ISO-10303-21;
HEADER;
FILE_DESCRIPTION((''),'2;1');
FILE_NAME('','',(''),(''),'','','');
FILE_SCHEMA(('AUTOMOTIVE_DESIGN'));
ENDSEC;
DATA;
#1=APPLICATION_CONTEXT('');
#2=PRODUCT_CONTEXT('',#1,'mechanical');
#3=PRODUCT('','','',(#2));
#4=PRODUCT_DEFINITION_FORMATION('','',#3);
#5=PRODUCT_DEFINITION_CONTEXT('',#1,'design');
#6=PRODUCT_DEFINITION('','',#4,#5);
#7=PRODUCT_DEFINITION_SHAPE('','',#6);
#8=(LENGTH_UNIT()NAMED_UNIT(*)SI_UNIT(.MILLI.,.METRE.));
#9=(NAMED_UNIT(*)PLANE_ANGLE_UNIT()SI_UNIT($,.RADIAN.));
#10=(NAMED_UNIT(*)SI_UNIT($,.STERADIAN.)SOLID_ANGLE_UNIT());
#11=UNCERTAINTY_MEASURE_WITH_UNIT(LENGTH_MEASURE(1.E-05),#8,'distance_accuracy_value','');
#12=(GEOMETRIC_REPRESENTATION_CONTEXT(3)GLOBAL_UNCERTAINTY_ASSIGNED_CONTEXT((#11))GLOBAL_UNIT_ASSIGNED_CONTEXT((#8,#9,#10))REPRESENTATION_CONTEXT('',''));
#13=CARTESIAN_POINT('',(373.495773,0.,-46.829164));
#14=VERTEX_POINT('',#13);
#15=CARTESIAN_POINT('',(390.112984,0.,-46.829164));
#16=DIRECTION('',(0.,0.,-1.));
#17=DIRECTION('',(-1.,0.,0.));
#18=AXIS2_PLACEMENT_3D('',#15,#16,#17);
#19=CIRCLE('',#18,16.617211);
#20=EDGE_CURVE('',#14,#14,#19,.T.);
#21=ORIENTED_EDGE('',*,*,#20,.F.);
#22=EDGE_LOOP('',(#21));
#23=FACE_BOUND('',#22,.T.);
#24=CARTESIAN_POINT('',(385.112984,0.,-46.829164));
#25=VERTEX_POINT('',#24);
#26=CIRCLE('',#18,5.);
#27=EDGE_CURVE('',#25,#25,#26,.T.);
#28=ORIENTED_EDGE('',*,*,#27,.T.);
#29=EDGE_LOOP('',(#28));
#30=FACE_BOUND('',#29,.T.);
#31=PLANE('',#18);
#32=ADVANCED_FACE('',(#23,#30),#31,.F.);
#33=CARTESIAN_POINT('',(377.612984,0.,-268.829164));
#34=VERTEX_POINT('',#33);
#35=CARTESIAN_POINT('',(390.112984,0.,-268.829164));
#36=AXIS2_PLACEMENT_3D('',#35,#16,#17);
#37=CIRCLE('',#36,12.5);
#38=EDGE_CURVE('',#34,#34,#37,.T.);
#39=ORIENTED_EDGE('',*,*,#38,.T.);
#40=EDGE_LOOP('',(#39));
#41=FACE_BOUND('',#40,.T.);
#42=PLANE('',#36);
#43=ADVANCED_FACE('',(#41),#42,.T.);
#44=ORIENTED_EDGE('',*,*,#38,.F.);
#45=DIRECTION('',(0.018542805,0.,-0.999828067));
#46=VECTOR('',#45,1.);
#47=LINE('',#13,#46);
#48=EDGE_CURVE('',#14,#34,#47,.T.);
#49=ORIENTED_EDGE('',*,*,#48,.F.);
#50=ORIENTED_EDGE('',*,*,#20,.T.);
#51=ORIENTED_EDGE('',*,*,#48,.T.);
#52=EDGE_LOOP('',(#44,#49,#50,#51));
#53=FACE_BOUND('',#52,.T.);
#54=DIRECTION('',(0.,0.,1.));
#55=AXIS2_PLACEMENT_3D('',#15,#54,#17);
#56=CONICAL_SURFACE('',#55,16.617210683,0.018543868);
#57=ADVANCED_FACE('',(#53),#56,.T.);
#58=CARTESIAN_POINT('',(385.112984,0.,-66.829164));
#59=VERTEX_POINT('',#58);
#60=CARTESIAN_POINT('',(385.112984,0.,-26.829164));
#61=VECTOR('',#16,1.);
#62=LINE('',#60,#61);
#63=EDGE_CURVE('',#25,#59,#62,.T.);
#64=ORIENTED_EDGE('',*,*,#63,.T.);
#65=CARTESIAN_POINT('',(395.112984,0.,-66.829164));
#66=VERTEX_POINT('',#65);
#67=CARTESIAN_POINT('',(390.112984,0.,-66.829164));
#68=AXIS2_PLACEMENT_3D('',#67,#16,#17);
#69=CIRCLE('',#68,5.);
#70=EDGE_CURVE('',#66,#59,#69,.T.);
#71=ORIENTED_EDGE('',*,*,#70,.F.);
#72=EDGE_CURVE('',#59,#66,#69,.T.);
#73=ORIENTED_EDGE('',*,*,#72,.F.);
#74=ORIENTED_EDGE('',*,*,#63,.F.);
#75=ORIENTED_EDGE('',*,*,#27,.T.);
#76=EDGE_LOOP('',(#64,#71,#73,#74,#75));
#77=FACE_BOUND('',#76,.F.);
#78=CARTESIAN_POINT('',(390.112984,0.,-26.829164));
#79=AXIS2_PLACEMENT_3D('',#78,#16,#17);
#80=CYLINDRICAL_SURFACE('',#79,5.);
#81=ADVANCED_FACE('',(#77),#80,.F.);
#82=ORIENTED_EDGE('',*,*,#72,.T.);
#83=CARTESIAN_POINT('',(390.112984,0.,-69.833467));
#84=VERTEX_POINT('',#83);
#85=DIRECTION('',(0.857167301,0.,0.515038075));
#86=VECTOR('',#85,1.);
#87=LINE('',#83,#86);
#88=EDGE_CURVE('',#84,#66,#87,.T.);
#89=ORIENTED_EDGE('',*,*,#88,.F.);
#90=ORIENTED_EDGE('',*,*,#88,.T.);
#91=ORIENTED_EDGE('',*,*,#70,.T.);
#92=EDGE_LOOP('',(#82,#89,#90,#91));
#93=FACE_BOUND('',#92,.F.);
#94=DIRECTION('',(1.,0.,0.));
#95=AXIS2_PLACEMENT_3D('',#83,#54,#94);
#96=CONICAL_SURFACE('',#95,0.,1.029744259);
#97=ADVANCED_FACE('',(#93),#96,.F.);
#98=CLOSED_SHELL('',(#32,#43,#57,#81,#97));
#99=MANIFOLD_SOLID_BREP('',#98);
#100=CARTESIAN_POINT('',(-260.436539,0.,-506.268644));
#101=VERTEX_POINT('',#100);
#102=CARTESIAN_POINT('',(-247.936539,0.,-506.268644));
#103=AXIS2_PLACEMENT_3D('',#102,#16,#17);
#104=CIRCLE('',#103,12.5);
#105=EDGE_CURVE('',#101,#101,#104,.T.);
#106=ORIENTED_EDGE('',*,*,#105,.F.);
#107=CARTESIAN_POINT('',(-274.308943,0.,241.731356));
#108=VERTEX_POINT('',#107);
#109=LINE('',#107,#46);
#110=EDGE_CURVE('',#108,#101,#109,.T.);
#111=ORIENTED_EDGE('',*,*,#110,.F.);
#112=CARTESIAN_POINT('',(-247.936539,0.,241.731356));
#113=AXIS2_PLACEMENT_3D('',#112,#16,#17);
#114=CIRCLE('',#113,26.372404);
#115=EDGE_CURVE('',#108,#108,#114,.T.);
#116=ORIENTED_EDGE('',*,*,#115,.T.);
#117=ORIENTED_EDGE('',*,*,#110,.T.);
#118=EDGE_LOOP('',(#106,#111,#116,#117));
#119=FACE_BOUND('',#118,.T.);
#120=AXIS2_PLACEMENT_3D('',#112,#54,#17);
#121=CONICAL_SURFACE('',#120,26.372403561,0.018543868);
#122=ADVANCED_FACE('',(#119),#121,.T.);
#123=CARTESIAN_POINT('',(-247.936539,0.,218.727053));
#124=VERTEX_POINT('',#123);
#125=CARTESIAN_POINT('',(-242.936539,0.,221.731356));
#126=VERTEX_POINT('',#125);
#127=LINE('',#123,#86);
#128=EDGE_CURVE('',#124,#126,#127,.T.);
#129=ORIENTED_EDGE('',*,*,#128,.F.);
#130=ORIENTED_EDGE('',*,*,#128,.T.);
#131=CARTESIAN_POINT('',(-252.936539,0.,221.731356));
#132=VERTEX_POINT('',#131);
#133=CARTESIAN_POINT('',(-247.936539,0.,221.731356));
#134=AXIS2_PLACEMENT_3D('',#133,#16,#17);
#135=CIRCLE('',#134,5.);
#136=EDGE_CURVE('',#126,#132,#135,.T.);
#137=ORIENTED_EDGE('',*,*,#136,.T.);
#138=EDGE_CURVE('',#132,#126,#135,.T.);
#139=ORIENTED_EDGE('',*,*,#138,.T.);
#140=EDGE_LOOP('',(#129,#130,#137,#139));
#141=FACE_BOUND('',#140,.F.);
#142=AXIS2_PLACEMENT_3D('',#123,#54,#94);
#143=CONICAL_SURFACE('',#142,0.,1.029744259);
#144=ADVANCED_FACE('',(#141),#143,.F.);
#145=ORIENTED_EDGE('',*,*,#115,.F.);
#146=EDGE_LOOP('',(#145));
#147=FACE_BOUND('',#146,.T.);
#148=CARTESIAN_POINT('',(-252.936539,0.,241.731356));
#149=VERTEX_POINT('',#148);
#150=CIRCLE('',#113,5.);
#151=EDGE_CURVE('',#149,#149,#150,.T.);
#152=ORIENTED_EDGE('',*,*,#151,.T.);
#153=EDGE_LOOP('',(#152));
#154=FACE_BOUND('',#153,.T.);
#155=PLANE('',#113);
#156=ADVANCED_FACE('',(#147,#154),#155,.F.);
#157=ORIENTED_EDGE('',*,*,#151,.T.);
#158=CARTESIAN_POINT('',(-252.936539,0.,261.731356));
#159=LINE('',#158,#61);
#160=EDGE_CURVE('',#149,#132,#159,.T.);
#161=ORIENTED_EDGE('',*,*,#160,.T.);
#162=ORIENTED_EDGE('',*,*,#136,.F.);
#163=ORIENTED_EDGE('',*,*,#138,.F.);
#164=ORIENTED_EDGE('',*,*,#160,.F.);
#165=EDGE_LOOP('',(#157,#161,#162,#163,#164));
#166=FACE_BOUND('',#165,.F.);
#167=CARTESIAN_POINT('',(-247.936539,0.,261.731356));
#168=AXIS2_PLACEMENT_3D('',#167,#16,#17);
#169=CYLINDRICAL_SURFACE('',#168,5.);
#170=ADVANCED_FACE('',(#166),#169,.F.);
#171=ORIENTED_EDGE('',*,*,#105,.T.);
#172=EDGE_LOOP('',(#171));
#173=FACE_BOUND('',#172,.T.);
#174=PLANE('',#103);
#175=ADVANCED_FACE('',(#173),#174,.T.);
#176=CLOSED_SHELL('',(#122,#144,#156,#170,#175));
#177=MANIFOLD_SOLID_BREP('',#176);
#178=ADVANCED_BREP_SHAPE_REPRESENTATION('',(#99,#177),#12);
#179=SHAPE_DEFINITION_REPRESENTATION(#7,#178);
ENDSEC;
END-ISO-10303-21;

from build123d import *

# Parameters (mm, degrees)
F0_W     = 25
F0_H     = 74
F5_D     = 10
F5_DEPTH = 20
F5_TIP   = 3.0043030951
F7_D     = 10
F7_DEPTH = 20
F7_TIP   = 3.0043030951


with BuildPart() as f1:
    # F0 (on Front) → F1 (revolve)
    with BuildSketch(Plane.XZ):
        Polygon((-274.3089429128, 241.7313559858), (-272.9365393519, 167.7313559858), (-272.9365393519, 241.7313559858), align=None)
        with Locations((-260.4365393519, 204.7313559858)):
            Rectangle(F0_W, F0_H)
        Polygon((-247.9365393519, 167.7313559858), (-272.9365393519, 167.7313559858), (-264.5537500344, -284.2686440142), (-247.9365393519, -284.2686440142), align=None)
        Polygon((-247.9365393519, -284.2686440142), (-264.5537500344, -284.2686440142), (-260.4365393519, -506.2686440142), (-247.9365393519, -506.2686440142), align=None)
    revolve(axis=Axis((-247.9365393519, 0, 204.7313559858), (0, 0, -1)))

    # F5
    with Locations(Plane.XY.offset(241.7313559858)):
        with Locations((-247.9365393519, 0)):
            Hole(F5_D / 2, depth=F5_DEPTH)
            with Locations((0, 0, -(F5_DEPTH + F5_TIP / 2))):  # 118° drill point
                Cone(0, F5_D / 2, F5_TIP, mode=Mode.SUBTRACT)


with BuildPart() as f3:
    # F2 (on Front) → F3 (revolve)
    with BuildSketch(Plane.XZ):
        Polygon((373.495773498, -46.8291637003), (377.6129841805, -268.8291637003), (390.1129841805, -268.8291637003), (390.1129841805, -46.8291637003), align=None)
    revolve(axis=Axis((390.1129841805, 0, 68.1708362997), (0, 0, -1)))

    # F7
    with Locations(Plane.XY.offset(-46.8291637003)):
        with Locations((390.1129841805, 0)):
            Hole(F7_D / 2, depth=F7_DEPTH)
            with Locations((0, 0, -(F7_DEPTH + F7_TIP / 2))):  # 118° drill point
                Cone(0, F7_D / 2, F7_TIP, mode=Mode.SUBTRACT)


solid = Compound([f1.part, f3.part])
